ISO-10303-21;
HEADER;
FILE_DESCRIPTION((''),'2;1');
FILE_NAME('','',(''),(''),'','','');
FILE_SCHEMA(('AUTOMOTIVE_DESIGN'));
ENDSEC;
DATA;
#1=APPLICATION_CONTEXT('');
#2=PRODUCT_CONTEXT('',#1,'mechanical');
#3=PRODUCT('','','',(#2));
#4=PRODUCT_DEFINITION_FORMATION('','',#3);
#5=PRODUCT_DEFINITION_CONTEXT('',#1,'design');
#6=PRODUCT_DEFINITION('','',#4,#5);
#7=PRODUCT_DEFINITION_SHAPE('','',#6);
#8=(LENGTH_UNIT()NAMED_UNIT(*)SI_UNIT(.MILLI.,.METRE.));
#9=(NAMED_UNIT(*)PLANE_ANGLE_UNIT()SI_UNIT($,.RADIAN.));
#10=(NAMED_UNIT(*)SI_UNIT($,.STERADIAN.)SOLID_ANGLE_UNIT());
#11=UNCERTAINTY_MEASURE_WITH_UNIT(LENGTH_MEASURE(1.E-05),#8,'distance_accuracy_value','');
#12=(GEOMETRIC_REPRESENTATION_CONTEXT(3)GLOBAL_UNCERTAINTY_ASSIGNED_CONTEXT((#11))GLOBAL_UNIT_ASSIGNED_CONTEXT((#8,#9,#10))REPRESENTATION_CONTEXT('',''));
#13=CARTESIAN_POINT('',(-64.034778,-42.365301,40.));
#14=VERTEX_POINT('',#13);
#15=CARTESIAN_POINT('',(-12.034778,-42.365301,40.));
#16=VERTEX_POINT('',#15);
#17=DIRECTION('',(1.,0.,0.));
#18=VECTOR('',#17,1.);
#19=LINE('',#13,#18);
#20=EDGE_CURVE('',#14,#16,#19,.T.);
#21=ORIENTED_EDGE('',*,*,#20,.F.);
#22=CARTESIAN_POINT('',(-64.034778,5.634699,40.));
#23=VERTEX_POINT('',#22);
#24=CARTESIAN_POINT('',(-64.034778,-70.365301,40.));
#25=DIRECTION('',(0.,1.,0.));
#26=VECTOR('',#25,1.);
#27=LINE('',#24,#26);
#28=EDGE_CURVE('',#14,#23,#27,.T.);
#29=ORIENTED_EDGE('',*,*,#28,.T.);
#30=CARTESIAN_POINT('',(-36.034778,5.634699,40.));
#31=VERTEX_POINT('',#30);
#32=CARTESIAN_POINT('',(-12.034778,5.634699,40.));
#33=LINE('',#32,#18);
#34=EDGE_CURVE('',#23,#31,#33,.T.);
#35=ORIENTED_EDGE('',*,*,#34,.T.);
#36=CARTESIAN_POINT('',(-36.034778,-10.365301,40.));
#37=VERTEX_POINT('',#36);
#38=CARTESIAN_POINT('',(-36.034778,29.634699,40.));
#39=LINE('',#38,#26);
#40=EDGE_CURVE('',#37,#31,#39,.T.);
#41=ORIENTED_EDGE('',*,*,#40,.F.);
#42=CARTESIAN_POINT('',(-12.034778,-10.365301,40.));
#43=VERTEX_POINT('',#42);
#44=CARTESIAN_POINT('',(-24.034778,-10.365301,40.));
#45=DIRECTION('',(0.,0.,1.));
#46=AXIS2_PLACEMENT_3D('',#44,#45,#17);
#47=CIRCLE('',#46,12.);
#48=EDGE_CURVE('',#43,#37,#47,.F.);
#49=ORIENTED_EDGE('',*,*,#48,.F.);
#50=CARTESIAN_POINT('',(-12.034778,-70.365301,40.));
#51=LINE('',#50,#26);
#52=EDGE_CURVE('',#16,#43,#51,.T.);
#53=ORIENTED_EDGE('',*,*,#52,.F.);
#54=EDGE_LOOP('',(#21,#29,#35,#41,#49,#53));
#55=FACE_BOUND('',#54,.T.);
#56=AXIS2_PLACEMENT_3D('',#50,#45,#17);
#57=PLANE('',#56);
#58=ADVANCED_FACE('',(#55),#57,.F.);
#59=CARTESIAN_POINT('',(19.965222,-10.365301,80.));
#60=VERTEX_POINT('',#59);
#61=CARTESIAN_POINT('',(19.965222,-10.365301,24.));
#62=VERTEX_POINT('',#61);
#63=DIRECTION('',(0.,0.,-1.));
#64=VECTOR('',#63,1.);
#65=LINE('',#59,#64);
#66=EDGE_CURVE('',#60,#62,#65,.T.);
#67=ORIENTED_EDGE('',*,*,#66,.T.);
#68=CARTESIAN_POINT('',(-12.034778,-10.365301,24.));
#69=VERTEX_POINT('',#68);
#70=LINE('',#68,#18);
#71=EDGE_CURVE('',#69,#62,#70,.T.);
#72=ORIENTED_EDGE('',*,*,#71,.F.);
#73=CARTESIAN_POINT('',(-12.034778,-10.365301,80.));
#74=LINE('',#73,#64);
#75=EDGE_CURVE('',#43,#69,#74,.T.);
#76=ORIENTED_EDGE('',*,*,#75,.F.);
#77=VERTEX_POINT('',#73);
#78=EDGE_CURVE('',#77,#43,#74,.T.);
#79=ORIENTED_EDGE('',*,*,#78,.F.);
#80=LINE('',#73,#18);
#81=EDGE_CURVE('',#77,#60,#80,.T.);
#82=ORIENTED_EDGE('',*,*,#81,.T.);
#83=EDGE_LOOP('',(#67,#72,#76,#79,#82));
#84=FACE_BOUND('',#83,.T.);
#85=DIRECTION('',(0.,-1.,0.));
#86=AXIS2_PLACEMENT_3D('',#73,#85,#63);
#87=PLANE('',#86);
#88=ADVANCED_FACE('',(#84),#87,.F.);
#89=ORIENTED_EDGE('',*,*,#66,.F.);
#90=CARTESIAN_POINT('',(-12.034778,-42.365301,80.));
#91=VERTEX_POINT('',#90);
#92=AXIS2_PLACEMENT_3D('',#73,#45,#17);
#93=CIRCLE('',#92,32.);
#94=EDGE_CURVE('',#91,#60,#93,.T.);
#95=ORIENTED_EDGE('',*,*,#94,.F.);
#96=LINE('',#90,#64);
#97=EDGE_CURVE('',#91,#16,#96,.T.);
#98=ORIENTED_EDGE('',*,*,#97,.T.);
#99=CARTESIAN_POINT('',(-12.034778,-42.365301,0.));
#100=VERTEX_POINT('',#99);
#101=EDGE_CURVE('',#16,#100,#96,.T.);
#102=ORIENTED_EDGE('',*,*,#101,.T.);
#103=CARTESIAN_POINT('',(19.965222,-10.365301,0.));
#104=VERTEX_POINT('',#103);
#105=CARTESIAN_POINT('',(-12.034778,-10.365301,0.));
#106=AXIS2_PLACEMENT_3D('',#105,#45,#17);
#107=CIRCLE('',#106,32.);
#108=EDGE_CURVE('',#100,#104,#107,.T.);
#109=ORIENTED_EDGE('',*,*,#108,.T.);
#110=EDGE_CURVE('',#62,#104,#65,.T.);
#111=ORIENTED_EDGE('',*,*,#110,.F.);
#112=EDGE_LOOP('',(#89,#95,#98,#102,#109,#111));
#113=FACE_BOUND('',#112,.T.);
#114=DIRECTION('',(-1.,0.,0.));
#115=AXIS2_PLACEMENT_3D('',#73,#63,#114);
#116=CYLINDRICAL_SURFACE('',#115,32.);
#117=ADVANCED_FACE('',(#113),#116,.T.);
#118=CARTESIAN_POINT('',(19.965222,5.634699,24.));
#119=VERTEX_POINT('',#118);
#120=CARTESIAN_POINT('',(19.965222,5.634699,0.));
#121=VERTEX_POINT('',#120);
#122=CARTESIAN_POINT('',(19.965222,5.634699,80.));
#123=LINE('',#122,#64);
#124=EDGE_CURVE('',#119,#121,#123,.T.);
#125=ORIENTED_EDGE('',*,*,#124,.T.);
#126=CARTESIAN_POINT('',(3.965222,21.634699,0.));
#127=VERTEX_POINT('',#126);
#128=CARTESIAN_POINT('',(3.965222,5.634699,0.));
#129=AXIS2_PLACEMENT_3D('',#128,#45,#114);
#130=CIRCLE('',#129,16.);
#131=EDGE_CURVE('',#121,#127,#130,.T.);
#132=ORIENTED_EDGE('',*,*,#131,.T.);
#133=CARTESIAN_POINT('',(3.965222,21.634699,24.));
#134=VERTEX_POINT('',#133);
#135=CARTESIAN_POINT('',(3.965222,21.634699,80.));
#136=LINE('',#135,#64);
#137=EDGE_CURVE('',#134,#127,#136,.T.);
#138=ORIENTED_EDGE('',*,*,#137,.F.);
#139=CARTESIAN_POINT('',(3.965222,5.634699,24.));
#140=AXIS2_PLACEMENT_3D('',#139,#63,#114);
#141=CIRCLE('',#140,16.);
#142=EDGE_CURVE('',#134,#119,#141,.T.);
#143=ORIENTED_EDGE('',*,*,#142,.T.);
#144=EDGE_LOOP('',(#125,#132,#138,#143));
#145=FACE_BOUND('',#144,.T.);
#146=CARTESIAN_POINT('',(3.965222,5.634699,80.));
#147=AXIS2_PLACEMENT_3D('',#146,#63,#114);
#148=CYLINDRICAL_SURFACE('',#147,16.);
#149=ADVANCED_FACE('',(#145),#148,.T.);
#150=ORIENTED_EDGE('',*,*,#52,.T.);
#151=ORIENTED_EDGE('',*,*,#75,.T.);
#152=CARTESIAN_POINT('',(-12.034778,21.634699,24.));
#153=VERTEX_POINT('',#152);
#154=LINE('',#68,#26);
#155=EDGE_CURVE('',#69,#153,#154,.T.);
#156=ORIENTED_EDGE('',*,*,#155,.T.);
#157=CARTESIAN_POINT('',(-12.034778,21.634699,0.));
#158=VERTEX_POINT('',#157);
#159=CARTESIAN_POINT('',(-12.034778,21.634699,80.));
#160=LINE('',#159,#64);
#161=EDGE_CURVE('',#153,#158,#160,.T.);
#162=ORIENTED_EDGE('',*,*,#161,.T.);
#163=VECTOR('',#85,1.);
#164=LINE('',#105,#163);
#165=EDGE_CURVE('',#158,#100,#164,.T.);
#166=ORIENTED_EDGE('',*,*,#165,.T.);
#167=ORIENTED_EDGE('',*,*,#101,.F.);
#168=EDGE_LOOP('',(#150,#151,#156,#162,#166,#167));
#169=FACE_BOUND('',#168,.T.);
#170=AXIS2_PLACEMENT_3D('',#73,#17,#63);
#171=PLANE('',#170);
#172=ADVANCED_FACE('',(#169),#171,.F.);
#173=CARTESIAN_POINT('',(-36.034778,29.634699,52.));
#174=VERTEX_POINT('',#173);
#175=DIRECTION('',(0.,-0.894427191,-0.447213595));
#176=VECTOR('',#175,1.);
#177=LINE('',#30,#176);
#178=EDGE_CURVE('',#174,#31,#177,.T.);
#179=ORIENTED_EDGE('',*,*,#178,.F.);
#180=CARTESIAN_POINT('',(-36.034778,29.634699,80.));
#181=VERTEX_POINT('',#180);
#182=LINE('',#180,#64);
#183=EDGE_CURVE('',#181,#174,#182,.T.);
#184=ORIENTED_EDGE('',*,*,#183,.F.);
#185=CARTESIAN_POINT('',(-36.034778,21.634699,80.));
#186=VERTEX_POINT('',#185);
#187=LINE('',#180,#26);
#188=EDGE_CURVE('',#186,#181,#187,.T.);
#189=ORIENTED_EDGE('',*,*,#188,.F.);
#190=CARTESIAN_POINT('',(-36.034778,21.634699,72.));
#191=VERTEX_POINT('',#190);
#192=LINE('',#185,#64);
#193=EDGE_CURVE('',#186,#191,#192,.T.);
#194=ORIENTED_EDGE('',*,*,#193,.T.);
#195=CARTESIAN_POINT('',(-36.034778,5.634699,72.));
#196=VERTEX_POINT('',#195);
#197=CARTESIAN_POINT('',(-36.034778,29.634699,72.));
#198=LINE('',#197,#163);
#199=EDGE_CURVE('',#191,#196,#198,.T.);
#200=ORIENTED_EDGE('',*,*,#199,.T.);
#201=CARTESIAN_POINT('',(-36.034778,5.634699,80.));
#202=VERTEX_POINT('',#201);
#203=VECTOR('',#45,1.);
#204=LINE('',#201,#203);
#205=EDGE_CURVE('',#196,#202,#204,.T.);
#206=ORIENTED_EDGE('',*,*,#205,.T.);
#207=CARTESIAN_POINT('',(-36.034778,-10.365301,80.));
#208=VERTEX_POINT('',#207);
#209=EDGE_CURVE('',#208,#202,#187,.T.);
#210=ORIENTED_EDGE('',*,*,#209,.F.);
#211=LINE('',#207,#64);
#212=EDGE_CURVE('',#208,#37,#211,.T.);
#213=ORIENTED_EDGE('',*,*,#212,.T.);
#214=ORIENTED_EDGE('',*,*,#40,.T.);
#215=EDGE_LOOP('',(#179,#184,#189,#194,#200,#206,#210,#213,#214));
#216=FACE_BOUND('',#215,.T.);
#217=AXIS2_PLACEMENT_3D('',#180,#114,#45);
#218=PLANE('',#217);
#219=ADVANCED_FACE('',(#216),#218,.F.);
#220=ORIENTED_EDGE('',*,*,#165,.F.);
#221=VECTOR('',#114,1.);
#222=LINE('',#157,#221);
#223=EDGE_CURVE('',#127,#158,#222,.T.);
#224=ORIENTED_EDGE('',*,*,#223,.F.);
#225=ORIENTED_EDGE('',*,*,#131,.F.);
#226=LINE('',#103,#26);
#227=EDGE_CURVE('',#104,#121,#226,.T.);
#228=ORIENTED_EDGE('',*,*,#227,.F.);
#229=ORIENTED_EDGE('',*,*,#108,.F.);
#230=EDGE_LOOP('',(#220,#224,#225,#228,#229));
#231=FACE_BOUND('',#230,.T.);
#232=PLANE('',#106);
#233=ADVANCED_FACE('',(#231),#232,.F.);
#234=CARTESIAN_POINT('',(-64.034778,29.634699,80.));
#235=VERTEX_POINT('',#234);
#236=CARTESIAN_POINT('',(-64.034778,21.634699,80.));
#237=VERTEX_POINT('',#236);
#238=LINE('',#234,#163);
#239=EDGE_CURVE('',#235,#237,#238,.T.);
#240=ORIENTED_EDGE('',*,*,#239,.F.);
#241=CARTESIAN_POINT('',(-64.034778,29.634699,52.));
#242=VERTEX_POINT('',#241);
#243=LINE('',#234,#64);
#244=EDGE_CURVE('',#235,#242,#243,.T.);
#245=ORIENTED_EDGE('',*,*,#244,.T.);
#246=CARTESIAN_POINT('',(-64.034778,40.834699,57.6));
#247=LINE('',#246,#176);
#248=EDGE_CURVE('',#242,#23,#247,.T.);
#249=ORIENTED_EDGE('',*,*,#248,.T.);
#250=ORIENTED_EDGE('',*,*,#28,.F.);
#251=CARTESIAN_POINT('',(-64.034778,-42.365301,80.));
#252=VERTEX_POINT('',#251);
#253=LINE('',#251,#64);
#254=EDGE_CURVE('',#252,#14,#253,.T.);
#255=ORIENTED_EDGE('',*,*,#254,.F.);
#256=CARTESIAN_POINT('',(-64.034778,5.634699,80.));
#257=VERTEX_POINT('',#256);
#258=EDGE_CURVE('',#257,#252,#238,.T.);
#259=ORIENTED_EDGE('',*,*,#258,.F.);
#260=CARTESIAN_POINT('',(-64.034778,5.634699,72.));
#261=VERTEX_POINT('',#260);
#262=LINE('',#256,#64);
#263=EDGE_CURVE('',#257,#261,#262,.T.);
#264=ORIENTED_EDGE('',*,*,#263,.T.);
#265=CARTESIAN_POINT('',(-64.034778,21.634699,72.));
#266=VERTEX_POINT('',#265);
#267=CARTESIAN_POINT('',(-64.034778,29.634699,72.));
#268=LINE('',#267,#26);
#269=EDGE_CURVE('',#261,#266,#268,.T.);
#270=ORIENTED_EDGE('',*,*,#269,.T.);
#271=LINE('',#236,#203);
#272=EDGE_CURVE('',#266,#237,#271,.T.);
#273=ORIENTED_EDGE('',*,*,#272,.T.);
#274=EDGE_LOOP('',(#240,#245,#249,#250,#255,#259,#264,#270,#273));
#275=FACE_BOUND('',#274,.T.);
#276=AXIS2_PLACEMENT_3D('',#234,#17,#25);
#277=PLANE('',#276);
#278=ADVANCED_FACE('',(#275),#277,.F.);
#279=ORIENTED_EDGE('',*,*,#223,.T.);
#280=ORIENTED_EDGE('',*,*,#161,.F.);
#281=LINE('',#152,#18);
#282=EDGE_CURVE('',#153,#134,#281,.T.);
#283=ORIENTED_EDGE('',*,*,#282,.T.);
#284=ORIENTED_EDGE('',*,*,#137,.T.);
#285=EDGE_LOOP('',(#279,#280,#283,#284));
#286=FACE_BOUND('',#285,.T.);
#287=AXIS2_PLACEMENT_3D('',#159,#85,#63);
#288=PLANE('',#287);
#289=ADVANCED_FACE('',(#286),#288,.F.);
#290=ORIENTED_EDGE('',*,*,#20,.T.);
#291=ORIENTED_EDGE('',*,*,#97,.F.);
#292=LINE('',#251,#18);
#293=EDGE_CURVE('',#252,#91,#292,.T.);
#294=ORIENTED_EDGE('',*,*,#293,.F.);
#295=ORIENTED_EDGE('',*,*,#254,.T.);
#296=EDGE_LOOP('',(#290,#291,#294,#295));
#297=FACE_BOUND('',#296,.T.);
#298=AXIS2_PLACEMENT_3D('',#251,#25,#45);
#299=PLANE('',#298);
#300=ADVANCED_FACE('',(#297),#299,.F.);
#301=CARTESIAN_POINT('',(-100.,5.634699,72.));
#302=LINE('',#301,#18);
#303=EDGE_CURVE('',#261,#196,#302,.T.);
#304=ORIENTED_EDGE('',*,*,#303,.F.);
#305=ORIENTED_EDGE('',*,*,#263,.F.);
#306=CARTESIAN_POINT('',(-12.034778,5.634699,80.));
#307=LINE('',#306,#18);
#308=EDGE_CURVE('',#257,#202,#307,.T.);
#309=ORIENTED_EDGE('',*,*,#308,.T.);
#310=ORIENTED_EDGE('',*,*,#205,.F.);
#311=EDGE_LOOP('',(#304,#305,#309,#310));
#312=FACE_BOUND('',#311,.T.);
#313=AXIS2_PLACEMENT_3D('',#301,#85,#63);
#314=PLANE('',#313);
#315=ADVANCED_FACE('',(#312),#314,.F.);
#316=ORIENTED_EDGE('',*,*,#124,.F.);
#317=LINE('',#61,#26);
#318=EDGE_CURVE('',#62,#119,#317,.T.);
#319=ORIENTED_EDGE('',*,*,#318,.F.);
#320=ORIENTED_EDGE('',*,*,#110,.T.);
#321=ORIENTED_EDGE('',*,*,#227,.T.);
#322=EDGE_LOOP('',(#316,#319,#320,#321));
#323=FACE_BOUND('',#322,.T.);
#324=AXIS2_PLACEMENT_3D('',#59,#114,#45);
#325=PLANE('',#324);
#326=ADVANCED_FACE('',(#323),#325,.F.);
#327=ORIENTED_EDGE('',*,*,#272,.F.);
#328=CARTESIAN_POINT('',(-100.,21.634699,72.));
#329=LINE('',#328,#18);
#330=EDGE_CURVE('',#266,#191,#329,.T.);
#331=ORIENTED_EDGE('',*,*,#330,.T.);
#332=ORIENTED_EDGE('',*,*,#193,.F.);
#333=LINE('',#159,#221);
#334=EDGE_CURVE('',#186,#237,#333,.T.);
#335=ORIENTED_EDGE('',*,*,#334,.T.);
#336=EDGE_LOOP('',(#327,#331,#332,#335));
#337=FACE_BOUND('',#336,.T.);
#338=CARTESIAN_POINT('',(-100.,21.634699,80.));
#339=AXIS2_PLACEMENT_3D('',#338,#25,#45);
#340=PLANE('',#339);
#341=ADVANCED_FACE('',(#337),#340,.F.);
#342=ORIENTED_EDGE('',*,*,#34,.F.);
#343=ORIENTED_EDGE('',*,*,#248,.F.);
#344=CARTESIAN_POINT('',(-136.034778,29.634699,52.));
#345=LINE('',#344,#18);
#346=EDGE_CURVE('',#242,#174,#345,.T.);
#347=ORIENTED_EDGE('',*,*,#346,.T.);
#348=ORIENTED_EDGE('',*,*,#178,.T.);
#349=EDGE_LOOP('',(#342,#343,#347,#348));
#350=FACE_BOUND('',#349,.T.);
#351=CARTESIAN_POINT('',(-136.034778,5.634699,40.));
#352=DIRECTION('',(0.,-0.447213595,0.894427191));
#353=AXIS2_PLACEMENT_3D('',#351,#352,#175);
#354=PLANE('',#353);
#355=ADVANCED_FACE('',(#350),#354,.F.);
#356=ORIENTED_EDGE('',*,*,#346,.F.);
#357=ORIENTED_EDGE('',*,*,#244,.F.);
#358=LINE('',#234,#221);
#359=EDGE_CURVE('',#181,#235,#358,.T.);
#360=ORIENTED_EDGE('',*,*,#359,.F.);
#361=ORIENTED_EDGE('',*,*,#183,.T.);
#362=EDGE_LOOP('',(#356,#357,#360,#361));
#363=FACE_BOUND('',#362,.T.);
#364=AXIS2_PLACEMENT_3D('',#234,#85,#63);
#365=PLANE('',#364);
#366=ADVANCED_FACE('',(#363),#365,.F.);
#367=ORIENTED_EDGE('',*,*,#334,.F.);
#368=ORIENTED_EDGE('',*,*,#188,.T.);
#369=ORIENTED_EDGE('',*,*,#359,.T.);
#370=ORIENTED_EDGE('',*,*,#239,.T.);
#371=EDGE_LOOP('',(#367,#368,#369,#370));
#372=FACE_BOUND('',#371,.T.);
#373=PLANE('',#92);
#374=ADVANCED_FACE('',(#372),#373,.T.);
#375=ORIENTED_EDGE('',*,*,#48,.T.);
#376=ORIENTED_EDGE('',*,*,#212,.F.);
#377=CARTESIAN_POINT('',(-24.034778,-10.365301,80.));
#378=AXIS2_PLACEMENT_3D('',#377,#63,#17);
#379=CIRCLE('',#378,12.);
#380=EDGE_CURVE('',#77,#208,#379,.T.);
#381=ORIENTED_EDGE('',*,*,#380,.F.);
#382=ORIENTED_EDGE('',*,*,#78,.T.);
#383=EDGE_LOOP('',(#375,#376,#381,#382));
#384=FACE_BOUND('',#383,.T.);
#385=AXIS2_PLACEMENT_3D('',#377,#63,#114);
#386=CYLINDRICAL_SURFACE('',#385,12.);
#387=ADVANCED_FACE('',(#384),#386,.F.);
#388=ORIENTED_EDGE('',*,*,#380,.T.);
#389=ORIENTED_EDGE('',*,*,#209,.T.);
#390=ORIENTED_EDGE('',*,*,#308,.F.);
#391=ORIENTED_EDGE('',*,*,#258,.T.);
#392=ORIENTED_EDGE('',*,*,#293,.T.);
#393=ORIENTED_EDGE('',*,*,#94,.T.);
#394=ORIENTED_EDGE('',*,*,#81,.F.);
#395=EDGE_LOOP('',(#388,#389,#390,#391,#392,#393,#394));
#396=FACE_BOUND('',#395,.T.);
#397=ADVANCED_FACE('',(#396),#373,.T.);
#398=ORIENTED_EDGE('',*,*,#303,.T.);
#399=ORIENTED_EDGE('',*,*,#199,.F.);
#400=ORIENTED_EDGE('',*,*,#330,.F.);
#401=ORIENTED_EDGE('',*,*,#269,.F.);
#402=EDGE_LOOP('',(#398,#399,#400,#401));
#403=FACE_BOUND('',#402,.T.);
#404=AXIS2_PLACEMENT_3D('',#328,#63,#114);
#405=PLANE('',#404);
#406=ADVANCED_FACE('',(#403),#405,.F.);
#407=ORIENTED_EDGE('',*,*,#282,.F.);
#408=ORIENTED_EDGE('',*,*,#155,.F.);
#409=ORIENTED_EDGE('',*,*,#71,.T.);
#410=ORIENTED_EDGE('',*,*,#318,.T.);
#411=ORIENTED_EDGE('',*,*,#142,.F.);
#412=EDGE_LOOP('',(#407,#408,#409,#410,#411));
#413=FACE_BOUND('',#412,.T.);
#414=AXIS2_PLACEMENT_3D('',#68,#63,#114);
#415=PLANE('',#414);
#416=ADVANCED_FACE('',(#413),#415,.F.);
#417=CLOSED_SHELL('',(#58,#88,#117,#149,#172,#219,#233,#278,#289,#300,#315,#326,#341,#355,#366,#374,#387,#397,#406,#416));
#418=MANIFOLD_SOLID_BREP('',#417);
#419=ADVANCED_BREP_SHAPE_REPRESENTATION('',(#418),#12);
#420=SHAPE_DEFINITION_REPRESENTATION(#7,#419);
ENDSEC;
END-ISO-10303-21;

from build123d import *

# Parameters (mm, degrees)
BOSS_EXTRUDE1_DEPTH = 80
SKETCH2_W           = 56
SKETCH2_H           = 40
CUT_EXTRUDE1_DEPTH  = 32
SKETCH3_W           = 52
SKETCH3_H           = 40
CUT_EXTRUDE2_DEPTH  = 100
CUT_EXTRUDE3_DEPTH  = 100
SKETCH5_W           = 8
SKETCH5_H           = 16
CUT_EXTRUDE4_DEPTH  = 100


with BuildPart() as part:
    # Sketch1 → Boss-Extrude1 (new body)
    with BuildSketch(Plane.XY):
        with BuildLine():
            Line((-64.034777708, 29.634699451), (-36.034777708, 29.634699451))
            Line((-36.034777708, 29.634699451), (-36.034777708, -10.365300549))
            ThreePointArc((-36.034777708, -10.365300549), (-24.034777708, -22.365300549), (-12.034777708, -10.365300549))
            Line((-12.034777708, -10.365300549), (-12.034777708, 21.634699451))
            Line((-12.034777708, 21.634699451), (3.965222292, 21.634699451))
            ThreePointArc((3.965222292, 21.634699451), (15.278930791, 16.94840795), (19.965222292, 5.634699451))
            Line((19.965222292, 5.634699451), (19.965222292, -10.365300549))
            ThreePointArc((19.965222292, -10.365300549), (10.59263929, -32.992717547), (-12.034777708, -42.365300549))
            Line((-12.034777708, -42.365300549), (-64.034777708, -42.365300549))
            Line((-64.034777708, -42.365300549), (-64.034777708, 29.634699451))
        make_face()
    extrude(amount=BOSS_EXTRUDE1_DEPTH)

    # Sketch2 → Cut-Extrude1 (cut)
    with BuildSketch(Plane(origin=(19.965222292, 0, 0), x_dir=(0, 0, -1), z_dir=(1, 0, 0))):
        with Locations((-52, 9.634699451)):
            Rectangle(SKETCH2_W, SKETCH2_H)
    extrude(amount=-CUT_EXTRUDE1_DEPTH, mode=Mode.SUBTRACT)

    # Sketch3 → Cut-Extrude2 (cut)
    with BuildSketch(Plane(origin=(0, 29.634699451, 0), x_dir=(1, 0, 0), z_dir=(0, 1, 0))):
        with Locations((-38.034777708, -20)):
            Rectangle(SKETCH3_W, SKETCH3_H)
    extrude(amount=-CUT_EXTRUDE2_DEPTH, mode=Mode.SUBTRACT)

    # Sketch4 → Cut-Extrude3 (cut)
    with BuildSketch(Plane(origin=(-36.034777708, 0, 0), x_dir=(0, 0, -1), z_dir=(1, 0, 0))):
        Polygon((-40, 29.634699451), (-40, 5.634699451), (-52, 29.634699451), align=None)
    extrude(amount=-CUT_EXTRUDE3_DEPTH, mode=Mode.SUBTRACT)

    # Sketch5 → Cut-Extrude4 (cut)
    with BuildSketch(Plane(origin=(0, 0, 0), x_dir=(0, 0, -1), z_dir=(1, 0, 0))):
        with Locations((-76, 13.634699451)):
            Rectangle(SKETCH5_W, SKETCH5_H)
    extrude(amount=-CUT_EXTRUDE4_DEPTH, mode=Mode.SUBTRACT)


solid = part.part
